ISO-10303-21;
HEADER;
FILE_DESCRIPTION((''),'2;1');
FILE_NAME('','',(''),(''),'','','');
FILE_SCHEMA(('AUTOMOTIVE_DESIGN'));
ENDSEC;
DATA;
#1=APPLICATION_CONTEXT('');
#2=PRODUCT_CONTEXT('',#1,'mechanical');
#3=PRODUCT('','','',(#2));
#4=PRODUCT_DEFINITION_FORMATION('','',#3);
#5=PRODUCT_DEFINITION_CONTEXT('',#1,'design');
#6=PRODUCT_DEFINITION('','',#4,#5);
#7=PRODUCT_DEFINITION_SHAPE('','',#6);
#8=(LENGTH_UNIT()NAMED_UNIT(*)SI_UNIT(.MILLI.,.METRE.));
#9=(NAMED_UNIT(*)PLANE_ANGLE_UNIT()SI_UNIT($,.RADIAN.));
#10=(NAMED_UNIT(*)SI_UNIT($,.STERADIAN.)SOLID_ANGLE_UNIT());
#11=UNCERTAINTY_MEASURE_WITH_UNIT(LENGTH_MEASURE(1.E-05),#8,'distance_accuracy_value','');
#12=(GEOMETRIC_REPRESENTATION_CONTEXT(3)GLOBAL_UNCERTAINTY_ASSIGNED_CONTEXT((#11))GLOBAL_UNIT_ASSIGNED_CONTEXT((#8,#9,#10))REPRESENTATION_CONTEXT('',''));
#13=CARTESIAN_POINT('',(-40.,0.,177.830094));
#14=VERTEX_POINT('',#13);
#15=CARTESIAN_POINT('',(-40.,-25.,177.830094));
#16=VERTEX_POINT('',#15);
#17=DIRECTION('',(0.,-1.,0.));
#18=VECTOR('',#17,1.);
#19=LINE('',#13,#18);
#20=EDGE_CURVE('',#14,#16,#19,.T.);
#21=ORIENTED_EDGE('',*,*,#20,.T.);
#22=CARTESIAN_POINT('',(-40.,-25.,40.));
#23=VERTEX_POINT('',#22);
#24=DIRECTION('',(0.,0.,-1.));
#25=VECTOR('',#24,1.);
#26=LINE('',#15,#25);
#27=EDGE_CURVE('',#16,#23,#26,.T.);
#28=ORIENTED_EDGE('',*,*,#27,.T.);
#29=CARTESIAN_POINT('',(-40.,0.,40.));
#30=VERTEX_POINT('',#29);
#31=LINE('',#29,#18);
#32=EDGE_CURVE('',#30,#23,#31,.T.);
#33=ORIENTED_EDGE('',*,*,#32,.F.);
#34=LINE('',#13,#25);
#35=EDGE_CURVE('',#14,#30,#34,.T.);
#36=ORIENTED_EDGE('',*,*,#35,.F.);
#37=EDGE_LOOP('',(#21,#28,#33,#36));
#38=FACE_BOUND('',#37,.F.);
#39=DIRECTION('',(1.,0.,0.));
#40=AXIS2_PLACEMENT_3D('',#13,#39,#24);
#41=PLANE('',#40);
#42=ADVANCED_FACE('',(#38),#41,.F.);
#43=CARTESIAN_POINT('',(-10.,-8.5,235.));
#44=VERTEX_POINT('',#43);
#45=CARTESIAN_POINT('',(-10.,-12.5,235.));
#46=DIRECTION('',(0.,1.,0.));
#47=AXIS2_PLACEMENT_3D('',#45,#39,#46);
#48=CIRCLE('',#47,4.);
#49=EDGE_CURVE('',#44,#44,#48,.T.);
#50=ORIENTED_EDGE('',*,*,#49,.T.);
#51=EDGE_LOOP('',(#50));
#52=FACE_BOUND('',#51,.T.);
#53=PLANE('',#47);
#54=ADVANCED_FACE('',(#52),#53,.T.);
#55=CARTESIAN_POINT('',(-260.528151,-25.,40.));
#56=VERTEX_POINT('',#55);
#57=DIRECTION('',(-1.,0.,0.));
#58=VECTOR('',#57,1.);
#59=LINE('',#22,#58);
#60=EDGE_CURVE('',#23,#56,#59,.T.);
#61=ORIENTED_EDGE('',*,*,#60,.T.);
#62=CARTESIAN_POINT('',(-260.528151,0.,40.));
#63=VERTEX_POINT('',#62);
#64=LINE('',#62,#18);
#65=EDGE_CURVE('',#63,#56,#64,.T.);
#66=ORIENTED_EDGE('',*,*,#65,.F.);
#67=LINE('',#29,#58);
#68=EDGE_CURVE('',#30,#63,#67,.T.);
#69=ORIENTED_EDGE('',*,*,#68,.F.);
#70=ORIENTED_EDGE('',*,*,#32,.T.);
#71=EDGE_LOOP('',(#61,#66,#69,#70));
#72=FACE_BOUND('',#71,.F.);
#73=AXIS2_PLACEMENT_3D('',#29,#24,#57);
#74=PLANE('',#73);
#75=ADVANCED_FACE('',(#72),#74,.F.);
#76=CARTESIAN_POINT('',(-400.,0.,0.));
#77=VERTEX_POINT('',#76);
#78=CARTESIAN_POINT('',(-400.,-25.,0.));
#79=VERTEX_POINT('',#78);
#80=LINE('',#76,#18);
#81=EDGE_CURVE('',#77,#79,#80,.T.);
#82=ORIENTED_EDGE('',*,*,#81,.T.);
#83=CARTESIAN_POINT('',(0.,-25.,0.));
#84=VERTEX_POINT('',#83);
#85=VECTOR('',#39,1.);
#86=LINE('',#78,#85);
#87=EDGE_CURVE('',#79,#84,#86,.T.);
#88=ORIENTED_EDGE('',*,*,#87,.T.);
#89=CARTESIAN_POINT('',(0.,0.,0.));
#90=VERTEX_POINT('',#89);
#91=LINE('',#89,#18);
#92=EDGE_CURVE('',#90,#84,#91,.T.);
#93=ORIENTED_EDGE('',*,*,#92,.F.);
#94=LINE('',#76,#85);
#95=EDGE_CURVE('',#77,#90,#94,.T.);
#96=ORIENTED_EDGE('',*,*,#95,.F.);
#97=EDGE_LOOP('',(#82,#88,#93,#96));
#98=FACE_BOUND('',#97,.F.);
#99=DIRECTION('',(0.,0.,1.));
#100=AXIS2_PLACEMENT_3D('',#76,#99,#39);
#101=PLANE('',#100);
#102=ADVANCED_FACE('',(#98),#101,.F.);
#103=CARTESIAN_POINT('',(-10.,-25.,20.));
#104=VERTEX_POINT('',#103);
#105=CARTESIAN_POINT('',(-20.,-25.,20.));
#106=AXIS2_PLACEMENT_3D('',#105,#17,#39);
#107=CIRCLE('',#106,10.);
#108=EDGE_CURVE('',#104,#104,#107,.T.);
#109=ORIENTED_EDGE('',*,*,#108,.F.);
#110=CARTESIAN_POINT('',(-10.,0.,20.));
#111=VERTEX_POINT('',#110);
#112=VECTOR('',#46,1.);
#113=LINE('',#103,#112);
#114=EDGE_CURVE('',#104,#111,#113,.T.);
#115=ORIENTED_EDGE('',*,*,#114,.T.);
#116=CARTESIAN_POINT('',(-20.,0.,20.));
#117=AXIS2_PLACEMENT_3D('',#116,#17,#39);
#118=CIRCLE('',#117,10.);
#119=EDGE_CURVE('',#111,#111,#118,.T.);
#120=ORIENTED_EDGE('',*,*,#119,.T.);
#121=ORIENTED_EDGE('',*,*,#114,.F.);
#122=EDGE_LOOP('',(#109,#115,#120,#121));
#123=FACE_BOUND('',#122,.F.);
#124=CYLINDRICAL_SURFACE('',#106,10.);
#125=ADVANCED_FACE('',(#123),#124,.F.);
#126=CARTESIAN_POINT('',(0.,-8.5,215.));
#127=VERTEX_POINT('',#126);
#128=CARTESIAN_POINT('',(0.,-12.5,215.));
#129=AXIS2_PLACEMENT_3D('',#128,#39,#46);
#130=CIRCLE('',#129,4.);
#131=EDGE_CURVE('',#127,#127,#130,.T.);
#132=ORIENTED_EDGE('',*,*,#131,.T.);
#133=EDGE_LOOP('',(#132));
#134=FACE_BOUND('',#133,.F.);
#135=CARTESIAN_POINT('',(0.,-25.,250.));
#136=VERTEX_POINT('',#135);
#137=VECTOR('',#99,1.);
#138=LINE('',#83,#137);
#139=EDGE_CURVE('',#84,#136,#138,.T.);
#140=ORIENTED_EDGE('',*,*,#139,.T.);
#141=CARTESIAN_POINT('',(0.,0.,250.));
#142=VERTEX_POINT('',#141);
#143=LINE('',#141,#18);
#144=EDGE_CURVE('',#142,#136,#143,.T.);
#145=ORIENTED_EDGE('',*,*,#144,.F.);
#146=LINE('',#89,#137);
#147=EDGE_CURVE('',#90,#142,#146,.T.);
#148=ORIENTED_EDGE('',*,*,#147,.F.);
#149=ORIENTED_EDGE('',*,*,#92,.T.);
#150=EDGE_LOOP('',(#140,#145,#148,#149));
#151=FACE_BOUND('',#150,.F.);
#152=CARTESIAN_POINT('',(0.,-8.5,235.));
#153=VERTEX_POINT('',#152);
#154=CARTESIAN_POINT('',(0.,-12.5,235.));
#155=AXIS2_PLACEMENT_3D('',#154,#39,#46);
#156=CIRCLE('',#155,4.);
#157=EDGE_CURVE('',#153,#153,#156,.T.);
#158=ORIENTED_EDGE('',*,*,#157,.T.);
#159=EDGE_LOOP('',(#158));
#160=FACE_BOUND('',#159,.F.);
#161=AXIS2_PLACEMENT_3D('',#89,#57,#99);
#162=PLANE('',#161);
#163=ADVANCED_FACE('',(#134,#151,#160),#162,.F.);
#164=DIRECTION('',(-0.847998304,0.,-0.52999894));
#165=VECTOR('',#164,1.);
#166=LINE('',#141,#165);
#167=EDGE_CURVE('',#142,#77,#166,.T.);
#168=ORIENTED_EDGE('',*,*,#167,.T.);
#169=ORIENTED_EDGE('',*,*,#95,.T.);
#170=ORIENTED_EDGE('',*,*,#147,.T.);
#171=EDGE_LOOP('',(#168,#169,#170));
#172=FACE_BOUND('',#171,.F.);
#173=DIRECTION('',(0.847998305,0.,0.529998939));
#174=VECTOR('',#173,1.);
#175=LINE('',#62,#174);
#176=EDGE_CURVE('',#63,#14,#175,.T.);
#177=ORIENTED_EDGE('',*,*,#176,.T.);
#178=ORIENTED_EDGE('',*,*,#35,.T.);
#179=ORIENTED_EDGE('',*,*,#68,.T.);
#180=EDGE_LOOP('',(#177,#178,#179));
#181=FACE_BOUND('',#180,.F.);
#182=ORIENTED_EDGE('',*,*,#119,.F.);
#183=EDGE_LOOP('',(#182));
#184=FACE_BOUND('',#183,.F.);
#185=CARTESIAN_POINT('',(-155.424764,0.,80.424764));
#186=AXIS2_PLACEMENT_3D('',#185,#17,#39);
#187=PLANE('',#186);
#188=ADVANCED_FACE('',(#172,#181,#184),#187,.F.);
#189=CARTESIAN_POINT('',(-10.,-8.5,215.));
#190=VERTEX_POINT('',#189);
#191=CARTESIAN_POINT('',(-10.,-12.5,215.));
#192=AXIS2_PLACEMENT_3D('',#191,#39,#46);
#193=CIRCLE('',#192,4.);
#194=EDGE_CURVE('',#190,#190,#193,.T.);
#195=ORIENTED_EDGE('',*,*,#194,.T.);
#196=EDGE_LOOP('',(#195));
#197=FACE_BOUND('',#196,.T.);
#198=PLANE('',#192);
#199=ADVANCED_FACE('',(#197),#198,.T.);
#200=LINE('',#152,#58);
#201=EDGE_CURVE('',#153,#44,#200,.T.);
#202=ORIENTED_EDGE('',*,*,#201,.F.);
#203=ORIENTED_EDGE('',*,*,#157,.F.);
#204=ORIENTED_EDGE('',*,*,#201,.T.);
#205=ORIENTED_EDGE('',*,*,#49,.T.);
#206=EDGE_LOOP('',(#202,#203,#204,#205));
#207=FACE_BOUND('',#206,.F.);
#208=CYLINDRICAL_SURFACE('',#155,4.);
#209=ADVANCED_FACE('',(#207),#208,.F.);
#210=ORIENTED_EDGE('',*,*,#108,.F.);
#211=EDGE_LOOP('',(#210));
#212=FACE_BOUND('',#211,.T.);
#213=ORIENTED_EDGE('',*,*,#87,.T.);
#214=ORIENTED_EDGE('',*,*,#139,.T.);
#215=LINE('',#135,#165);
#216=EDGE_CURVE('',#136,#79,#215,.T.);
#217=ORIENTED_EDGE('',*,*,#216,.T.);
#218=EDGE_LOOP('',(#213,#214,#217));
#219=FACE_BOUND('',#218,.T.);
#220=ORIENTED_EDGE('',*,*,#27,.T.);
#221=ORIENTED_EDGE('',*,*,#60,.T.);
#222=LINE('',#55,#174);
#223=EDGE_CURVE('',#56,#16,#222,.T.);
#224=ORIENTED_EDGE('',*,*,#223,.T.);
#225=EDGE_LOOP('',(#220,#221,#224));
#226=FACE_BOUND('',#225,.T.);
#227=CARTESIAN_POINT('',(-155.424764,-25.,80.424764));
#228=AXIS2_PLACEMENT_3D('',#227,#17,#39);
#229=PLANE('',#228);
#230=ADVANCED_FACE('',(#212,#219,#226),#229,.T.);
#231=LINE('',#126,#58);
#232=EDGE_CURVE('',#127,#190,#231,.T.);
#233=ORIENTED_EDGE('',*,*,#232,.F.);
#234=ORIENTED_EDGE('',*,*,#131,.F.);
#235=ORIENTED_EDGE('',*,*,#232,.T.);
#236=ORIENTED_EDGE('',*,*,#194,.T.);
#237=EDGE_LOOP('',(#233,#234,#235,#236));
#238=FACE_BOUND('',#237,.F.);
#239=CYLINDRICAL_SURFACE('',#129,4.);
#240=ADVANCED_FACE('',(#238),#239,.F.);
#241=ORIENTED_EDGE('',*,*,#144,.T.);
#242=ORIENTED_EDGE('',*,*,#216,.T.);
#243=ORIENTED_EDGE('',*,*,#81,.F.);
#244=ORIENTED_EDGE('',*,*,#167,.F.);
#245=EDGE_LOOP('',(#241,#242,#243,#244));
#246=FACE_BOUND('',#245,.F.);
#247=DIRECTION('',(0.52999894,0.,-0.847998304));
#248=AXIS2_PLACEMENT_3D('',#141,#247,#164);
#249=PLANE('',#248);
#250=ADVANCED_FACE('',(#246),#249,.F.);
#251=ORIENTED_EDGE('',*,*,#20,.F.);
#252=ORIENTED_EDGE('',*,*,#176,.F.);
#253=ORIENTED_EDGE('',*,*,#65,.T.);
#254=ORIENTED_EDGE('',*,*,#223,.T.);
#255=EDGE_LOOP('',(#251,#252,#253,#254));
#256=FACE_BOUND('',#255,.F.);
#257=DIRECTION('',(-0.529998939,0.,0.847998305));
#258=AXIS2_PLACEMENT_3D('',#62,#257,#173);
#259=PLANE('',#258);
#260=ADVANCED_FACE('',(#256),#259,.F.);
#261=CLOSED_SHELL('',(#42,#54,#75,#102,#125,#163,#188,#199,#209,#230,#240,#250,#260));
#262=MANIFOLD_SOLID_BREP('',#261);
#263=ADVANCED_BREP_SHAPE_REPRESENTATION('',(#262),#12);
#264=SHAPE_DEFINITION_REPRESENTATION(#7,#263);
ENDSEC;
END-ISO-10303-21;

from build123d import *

# Parameters (mm, degrees)
F1_DEPTH = 25
F2_R     = 4
F3_DEPTH = 10
F4_R     = 10
F5_DEPTH = 25


with BuildPart() as f1:
    # F0 (on Front) → F1 (new body)
    with BuildSketch(Plane.XZ):
        Polygon((-400, 0), (0, 0), (0, 250), align=None)
        Polygon((-260.528151, 40), (-40, 177.830094), (-40, 40), align=None, mode=Mode.SUBTRACT)
    extrude(amount=F1_DEPTH)

    # F2 (on Right) → F3 (cut)
    with BuildSketch(Plane.YZ):
        with Locations((-12.5, 235)):
            Circle(F2_R)
        with Locations((-12.5, 215)):
            Circle(F2_R)
    extrude(amount=-F3_DEPTH, mode=Mode.SUBTRACT)

    # F4 (on face) → F5 (cut, through all)
    with BuildSketch(Plane.XZ.offset(25)):
        with Locations((-20, 20)):
            Circle(F4_R)
    extrude(amount=-F5_DEPTH, mode=Mode.SUBTRACT)


solid = f1.part
